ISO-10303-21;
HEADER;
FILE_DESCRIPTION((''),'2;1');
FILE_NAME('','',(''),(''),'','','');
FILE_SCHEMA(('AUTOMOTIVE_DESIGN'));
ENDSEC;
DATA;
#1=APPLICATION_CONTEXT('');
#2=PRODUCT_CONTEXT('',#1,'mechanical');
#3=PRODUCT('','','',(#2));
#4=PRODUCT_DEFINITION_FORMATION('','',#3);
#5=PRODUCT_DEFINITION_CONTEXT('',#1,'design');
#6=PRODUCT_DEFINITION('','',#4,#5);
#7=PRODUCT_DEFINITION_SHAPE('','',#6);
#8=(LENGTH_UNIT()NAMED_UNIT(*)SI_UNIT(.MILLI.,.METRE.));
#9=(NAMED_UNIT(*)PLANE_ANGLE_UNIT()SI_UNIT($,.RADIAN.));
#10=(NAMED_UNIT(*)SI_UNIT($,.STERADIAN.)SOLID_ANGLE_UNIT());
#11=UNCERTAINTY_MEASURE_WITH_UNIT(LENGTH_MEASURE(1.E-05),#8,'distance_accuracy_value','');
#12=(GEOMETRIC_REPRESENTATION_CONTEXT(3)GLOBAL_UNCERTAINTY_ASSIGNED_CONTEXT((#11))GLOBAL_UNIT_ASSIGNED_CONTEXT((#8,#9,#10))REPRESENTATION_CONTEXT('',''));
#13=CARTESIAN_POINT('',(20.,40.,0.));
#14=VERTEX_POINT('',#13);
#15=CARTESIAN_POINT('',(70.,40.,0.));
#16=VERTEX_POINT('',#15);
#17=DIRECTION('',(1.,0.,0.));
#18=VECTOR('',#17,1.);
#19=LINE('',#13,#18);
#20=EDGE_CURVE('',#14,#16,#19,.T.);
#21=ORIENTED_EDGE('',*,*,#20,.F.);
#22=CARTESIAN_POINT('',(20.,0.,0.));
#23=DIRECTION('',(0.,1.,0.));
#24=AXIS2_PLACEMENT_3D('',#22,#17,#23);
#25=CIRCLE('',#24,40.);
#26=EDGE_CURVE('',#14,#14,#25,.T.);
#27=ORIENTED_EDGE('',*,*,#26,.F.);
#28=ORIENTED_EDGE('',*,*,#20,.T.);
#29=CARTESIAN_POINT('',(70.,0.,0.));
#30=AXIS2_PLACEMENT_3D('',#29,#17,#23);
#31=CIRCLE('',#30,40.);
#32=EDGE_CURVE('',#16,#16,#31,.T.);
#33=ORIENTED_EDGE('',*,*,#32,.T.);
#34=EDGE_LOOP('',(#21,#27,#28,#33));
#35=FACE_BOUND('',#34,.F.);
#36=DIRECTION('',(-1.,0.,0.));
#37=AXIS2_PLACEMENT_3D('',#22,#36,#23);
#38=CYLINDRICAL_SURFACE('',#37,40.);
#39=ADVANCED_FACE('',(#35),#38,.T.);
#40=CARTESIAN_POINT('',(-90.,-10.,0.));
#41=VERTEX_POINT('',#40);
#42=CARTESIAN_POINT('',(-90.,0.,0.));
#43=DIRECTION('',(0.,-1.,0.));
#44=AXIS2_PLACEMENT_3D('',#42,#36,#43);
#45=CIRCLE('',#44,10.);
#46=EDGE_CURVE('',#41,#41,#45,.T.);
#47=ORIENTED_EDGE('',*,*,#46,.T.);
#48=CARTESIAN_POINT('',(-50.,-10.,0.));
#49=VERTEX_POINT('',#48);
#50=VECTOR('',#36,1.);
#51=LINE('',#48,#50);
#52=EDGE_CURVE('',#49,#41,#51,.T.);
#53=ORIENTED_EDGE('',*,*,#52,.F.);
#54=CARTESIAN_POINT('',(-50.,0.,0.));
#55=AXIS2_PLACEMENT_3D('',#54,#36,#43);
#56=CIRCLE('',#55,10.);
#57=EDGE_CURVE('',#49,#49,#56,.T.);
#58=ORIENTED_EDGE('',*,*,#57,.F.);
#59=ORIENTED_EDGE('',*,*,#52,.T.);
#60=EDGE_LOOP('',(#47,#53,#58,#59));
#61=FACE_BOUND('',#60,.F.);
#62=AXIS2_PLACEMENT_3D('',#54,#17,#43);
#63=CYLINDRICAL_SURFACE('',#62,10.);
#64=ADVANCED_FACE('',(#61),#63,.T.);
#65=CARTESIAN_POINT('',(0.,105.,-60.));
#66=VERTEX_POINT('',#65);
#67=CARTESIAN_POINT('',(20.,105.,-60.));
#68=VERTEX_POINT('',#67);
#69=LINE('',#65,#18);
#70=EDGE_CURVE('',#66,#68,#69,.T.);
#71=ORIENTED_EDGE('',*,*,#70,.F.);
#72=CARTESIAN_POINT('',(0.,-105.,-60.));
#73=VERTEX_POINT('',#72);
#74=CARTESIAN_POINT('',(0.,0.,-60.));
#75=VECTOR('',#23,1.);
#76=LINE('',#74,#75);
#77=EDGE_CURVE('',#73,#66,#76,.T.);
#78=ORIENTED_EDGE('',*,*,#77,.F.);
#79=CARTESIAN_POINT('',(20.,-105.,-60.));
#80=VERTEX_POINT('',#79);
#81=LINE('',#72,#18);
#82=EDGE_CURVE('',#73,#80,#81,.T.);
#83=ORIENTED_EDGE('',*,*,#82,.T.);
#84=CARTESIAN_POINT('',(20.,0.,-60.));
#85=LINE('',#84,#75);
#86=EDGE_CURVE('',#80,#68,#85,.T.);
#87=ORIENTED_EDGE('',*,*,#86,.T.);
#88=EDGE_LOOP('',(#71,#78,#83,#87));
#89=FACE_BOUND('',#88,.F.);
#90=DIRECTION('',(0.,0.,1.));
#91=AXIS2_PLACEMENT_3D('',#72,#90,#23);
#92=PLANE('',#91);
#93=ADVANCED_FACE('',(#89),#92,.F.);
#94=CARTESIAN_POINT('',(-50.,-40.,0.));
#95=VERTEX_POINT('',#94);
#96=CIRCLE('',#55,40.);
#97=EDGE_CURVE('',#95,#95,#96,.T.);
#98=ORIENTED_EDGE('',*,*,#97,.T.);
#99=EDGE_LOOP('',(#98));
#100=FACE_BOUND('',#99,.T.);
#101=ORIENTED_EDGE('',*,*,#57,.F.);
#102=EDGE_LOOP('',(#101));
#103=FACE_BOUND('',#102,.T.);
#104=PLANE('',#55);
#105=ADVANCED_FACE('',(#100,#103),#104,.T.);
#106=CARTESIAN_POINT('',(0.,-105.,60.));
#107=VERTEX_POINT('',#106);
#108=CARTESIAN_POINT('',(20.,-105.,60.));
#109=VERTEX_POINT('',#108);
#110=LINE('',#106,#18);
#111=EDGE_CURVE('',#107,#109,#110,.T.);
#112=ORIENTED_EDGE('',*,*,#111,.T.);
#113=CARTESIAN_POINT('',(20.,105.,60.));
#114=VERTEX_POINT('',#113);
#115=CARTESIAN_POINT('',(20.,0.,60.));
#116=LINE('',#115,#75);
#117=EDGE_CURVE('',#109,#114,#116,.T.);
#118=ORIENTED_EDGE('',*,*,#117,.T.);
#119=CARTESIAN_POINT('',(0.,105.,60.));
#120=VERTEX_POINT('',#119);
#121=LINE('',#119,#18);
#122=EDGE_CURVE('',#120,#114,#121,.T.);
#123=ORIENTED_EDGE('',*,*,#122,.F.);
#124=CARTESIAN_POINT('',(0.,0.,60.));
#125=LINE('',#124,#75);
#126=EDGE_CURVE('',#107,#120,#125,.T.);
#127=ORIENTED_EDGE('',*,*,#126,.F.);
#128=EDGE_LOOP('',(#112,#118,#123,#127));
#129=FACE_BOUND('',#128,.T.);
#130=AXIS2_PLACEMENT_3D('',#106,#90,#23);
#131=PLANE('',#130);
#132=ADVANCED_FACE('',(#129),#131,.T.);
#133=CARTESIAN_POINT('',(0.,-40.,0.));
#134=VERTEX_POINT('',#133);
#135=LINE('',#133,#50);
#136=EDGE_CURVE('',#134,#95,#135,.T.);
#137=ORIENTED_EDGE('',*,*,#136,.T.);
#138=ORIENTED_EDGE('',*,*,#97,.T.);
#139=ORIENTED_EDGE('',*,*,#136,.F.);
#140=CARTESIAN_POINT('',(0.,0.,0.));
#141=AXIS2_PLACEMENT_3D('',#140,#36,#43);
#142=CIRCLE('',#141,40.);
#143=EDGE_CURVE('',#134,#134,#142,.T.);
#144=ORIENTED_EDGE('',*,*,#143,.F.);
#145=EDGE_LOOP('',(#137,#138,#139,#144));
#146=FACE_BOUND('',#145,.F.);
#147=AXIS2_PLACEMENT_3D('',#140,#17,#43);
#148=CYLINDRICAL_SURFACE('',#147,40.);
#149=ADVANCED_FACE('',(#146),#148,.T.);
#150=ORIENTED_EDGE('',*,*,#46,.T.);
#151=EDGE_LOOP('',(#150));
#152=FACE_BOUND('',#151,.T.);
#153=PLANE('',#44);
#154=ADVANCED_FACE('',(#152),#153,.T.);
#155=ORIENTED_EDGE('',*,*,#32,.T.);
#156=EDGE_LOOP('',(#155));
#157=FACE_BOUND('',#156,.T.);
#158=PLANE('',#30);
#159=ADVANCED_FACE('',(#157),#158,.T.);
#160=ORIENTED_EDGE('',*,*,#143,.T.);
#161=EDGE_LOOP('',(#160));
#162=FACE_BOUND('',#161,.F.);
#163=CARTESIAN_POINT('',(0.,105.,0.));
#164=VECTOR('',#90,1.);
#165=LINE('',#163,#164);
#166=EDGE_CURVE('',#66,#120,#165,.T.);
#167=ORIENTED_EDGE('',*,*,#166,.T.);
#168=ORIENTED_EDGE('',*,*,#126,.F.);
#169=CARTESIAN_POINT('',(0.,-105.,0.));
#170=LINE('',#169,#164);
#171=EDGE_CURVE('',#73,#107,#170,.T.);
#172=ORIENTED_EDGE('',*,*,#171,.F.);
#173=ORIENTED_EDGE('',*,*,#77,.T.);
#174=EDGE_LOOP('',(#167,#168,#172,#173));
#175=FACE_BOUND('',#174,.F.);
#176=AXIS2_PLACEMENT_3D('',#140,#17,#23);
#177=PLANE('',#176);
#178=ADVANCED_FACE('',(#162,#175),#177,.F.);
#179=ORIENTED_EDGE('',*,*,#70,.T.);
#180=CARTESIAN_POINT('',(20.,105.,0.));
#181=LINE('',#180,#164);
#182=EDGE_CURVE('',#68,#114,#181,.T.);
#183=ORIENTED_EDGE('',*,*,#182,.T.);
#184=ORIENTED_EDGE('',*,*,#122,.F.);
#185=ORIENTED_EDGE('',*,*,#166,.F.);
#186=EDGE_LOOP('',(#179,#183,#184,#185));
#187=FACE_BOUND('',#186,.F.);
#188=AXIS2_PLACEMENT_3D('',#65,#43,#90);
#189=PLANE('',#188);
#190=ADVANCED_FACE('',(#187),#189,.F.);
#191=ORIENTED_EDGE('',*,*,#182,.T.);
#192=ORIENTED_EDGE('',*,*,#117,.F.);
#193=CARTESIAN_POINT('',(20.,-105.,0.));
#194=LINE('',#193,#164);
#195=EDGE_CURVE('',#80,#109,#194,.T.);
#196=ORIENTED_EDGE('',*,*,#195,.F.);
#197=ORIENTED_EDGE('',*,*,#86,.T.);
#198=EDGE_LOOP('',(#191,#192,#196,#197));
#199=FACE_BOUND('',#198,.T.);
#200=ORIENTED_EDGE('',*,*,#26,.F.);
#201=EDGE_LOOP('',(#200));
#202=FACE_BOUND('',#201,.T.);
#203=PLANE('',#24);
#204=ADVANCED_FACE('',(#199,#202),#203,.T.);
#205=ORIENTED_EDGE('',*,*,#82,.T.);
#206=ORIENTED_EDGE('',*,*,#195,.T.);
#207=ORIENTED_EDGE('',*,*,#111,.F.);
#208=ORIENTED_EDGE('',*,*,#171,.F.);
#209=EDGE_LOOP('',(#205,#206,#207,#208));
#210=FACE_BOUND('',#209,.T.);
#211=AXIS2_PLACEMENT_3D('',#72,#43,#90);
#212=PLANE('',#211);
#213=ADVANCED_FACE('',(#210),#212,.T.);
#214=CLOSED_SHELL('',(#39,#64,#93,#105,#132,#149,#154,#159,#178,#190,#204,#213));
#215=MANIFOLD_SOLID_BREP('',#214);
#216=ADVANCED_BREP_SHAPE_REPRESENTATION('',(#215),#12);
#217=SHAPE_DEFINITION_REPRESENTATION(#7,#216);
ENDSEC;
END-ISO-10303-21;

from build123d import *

# Parameters (mm, degrees)
F0_W     = 210
F0_H     = 120
F1_DEPTH = 20
F2_R     = 40
F3_DEPTH = 50
F4_R     = 40
F5_DEPTH = 50
F6_R     = 10
F7_DEPTH = 40


with BuildPart() as f1:
    # F0 (on Right) → F1 (new body)
    with BuildSketch(Plane.YZ):
        Rectangle(F0_W, F0_H)
    extrude(amount=F1_DEPTH)

    # F2 (on face) → F3 (join)
    with BuildSketch(Plane(origin=(0, 0, 0), x_dir=(0, -1, 0), z_dir=(-1, 0, 0))):
        Circle(F2_R)
    extrude(amount=F3_DEPTH)

    # F4 (on face) → F5 (join)
    with BuildSketch(Plane.YZ.offset(20)):
        Circle(F4_R)
    extrude(amount=F5_DEPTH)

    # F6 (on face) → F7 (join)
    with BuildSketch(Plane(origin=(-50, 0, 0), x_dir=(0, -1, 0), z_dir=(-1, 0, 0))):
        Circle(F6_R)
    extrude(amount=F7_DEPTH)


solid = f1.part
